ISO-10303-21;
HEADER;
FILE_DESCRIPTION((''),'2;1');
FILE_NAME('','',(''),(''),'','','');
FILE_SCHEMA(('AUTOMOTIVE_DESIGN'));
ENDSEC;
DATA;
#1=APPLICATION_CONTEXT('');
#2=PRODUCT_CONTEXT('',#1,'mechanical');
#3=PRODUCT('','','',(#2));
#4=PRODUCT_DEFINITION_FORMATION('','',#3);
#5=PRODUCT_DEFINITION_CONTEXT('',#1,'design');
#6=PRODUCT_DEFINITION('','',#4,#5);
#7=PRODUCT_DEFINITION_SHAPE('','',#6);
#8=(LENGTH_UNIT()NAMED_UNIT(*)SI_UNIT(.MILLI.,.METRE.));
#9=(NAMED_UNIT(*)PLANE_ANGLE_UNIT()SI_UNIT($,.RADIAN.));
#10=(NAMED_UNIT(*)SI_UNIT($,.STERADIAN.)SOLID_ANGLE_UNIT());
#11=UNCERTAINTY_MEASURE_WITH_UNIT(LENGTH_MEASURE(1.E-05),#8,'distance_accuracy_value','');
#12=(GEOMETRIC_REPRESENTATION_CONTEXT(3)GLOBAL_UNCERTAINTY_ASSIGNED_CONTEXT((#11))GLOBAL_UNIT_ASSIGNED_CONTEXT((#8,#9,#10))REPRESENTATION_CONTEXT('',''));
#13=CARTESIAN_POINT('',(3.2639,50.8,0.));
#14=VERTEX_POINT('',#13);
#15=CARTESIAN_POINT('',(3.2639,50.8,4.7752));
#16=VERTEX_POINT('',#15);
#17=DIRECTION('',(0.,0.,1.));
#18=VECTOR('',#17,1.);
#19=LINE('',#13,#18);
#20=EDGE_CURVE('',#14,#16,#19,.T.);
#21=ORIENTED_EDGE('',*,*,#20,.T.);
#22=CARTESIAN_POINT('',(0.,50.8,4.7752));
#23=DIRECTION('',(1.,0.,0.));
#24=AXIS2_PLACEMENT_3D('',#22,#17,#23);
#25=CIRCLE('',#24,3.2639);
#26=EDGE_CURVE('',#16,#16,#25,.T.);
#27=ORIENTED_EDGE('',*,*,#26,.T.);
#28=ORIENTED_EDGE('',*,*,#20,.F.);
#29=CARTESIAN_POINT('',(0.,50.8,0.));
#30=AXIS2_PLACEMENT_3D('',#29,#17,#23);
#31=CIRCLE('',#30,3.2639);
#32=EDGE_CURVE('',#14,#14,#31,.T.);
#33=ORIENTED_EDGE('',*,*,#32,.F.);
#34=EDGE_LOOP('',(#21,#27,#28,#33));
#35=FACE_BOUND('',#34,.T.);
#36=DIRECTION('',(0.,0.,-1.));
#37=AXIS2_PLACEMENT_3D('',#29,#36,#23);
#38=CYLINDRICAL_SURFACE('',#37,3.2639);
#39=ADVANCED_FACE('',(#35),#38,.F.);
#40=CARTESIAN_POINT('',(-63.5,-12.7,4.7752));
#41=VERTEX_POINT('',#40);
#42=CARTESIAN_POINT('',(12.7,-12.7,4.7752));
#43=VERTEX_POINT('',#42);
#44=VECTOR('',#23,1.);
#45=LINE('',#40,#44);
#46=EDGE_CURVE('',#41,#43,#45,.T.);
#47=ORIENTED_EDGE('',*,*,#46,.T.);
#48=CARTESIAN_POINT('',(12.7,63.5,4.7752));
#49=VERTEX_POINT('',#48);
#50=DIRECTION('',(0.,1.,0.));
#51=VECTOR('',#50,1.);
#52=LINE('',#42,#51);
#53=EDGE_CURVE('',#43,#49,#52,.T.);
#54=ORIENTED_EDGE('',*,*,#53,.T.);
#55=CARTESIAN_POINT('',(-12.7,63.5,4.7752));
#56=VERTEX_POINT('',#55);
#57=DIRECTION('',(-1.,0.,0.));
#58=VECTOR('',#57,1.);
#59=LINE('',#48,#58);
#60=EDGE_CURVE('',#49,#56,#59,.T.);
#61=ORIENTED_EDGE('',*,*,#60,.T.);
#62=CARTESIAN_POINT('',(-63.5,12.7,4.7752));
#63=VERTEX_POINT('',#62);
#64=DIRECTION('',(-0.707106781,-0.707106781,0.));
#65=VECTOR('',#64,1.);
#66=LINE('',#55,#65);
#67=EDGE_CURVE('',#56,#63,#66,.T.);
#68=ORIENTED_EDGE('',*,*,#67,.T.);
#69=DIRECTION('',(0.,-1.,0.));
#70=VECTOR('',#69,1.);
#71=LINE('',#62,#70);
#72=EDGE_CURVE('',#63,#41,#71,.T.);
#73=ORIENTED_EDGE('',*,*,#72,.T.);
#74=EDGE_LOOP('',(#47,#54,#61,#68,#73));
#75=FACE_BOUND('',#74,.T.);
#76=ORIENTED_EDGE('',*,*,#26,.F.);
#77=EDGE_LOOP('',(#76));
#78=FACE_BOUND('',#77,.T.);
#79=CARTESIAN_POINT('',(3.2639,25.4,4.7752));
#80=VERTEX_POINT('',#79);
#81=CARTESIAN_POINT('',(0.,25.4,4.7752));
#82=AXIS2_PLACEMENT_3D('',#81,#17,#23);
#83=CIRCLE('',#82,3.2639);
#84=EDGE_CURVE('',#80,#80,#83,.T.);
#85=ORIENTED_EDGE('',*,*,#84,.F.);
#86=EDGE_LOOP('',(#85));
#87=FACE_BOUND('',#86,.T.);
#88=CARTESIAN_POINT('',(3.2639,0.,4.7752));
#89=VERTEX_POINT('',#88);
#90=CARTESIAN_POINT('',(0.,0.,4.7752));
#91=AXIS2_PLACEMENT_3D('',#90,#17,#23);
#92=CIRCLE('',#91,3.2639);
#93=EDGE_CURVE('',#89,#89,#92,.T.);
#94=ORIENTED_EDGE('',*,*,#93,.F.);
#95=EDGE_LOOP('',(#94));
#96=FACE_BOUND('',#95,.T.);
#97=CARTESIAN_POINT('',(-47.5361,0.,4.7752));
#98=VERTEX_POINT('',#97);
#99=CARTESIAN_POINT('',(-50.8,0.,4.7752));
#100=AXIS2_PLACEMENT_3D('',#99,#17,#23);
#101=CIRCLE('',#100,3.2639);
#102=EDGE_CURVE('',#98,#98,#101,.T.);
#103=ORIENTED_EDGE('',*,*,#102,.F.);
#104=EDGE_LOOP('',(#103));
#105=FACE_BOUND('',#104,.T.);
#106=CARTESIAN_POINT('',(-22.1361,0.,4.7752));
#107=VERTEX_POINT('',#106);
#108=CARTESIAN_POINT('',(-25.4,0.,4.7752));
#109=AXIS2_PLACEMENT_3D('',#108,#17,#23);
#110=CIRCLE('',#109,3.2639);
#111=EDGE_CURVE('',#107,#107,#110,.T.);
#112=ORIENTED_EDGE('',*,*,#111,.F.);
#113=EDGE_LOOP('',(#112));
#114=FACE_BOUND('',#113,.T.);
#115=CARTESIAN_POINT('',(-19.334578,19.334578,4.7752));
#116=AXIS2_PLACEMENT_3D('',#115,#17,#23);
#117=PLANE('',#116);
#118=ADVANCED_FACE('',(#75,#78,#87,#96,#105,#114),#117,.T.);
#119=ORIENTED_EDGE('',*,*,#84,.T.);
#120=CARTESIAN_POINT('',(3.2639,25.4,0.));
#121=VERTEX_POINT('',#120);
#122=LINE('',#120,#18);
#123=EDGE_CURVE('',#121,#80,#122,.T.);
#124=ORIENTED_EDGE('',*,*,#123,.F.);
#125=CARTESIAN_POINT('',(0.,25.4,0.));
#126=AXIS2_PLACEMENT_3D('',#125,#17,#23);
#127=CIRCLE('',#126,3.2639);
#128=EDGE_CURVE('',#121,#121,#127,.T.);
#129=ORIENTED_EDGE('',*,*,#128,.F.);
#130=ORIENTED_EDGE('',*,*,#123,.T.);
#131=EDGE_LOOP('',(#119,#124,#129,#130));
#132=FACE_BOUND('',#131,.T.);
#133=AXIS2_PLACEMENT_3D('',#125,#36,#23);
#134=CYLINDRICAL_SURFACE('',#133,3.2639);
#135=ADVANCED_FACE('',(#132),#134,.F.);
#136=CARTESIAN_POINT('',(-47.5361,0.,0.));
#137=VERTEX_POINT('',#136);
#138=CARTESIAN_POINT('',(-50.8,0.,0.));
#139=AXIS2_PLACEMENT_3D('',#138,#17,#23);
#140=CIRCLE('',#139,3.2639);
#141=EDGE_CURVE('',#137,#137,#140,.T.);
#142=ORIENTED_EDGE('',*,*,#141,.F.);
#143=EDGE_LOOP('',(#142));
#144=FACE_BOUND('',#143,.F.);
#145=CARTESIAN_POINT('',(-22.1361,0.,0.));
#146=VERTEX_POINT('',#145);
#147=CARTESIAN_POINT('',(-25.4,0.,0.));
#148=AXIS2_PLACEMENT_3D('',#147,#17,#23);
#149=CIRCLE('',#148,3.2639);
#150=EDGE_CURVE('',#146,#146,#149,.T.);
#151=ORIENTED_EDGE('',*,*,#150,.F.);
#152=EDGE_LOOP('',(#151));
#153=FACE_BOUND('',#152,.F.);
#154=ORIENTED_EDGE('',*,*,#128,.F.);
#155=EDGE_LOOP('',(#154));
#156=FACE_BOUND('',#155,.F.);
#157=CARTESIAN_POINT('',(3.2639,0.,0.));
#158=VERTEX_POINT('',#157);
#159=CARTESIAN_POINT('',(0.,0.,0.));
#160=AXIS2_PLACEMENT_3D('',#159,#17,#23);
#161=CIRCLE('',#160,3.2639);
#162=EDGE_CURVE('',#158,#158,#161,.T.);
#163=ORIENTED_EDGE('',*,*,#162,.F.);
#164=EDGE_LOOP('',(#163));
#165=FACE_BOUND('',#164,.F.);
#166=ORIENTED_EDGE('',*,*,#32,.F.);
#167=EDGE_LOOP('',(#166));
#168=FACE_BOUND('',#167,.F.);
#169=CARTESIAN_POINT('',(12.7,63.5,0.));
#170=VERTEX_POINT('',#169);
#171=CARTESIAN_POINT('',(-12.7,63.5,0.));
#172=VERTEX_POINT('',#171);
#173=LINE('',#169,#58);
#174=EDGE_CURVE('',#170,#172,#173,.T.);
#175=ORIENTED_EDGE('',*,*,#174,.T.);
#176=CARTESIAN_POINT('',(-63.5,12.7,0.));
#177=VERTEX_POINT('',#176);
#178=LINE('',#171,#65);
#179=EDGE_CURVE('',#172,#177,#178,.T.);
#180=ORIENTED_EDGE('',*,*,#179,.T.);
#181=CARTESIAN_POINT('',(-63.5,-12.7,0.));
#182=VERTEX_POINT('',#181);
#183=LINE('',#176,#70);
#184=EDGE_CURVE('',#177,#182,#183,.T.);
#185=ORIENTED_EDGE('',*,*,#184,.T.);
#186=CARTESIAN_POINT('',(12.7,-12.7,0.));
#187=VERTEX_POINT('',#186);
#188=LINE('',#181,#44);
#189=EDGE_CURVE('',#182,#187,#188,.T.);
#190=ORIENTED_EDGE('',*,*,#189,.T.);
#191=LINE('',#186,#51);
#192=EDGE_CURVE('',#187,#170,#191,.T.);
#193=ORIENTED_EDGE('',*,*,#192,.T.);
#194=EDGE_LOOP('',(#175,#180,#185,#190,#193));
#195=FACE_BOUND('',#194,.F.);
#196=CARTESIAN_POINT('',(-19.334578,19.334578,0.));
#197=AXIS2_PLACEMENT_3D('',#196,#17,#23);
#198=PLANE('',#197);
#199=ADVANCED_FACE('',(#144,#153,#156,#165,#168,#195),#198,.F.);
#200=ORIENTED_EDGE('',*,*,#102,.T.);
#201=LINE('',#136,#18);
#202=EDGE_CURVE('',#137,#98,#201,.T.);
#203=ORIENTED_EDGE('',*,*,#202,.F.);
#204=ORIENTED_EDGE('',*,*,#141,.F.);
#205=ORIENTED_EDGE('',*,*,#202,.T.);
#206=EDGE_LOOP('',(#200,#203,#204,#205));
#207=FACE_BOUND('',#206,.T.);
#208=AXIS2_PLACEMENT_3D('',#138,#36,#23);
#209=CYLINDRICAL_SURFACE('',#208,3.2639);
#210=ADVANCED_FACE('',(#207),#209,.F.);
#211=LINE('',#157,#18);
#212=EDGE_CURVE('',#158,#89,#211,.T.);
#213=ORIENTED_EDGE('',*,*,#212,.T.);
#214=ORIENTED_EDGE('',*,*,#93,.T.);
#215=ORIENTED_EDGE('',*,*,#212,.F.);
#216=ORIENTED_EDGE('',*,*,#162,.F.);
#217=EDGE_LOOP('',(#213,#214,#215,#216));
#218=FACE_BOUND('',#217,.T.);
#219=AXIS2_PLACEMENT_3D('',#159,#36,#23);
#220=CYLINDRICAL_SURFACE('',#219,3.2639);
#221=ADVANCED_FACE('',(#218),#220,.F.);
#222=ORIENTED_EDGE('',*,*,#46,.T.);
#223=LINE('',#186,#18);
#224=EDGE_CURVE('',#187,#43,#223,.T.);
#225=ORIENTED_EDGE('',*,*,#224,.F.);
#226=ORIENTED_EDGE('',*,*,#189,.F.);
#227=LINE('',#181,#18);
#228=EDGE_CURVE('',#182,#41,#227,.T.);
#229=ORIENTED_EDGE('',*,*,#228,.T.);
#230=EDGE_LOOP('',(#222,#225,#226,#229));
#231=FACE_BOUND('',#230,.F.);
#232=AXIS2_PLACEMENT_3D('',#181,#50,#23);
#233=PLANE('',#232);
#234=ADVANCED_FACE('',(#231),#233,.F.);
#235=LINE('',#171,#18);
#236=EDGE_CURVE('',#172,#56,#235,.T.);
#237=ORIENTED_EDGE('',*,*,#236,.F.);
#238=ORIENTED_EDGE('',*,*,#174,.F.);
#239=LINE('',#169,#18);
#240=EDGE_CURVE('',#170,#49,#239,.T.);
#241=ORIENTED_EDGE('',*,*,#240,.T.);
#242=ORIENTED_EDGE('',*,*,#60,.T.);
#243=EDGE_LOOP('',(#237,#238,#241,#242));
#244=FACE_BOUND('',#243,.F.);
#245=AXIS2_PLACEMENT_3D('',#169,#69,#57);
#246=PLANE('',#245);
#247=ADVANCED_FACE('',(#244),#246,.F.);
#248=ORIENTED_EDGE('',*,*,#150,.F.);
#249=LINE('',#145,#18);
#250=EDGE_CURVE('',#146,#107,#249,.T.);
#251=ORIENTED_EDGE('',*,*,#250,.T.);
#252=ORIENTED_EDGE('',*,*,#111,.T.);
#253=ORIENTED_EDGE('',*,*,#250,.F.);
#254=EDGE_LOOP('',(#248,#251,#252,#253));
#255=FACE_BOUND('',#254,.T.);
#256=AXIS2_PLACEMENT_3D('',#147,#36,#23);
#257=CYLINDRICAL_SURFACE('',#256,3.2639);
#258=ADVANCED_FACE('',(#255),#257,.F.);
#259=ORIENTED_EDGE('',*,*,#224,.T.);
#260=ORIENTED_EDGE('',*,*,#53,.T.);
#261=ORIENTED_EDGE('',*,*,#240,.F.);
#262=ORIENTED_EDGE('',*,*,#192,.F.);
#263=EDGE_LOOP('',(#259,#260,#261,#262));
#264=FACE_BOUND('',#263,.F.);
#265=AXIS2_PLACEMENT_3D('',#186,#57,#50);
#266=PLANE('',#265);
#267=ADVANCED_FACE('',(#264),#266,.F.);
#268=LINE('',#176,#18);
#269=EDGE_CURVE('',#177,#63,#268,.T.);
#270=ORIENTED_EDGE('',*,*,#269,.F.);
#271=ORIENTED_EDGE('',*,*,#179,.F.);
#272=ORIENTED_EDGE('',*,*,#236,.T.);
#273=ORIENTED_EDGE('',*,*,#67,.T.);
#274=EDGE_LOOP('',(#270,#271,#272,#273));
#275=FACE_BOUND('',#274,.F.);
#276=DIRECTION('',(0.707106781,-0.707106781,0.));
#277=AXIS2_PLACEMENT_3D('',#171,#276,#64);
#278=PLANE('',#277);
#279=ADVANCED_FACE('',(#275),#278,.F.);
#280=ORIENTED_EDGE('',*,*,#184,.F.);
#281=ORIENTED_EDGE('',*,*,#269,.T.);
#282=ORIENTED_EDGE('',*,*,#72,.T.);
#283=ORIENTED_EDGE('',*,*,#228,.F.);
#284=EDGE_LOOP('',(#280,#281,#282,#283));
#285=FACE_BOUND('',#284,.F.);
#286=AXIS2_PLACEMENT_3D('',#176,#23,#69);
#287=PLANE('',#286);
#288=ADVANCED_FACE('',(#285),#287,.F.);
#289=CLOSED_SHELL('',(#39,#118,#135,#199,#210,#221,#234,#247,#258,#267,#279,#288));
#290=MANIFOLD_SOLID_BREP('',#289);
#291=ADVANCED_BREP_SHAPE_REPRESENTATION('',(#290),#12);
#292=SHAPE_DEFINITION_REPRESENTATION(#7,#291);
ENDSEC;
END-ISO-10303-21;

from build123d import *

# Parameters (mm, degrees)
SKETCH1_R           = 3.2639
BOSS_EXTRUDE1_DEPTH = 4.7752


with BuildPart() as part:
    # Sketch1 → Boss-Extrude1 (new body)
    with BuildSketch(Plane.XY):
        Polygon((-63.5, -12.7), (12.7, -12.7), (12.7, 63.5), (-12.7, 63.5), (-63.5, 12.7), align=None)
        with Locations((0, 50.8)):
            Circle(SKETCH1_R, mode=Mode.SUBTRACT)
        with Locations((0, 25.4)):
            Circle(SKETCH1_R, mode=Mode.SUBTRACT)
        Circle(SKETCH1_R, mode=Mode.SUBTRACT)
        with Locations((-25.4, 0)):
            Circle(SKETCH1_R, mode=Mode.SUBTRACT)
        with Locations((-50.8, 0)):
            Circle(SKETCH1_R, mode=Mode.SUBTRACT)
    extrude(amount=BOSS_EXTRUDE1_DEPTH)


solid = part.part
